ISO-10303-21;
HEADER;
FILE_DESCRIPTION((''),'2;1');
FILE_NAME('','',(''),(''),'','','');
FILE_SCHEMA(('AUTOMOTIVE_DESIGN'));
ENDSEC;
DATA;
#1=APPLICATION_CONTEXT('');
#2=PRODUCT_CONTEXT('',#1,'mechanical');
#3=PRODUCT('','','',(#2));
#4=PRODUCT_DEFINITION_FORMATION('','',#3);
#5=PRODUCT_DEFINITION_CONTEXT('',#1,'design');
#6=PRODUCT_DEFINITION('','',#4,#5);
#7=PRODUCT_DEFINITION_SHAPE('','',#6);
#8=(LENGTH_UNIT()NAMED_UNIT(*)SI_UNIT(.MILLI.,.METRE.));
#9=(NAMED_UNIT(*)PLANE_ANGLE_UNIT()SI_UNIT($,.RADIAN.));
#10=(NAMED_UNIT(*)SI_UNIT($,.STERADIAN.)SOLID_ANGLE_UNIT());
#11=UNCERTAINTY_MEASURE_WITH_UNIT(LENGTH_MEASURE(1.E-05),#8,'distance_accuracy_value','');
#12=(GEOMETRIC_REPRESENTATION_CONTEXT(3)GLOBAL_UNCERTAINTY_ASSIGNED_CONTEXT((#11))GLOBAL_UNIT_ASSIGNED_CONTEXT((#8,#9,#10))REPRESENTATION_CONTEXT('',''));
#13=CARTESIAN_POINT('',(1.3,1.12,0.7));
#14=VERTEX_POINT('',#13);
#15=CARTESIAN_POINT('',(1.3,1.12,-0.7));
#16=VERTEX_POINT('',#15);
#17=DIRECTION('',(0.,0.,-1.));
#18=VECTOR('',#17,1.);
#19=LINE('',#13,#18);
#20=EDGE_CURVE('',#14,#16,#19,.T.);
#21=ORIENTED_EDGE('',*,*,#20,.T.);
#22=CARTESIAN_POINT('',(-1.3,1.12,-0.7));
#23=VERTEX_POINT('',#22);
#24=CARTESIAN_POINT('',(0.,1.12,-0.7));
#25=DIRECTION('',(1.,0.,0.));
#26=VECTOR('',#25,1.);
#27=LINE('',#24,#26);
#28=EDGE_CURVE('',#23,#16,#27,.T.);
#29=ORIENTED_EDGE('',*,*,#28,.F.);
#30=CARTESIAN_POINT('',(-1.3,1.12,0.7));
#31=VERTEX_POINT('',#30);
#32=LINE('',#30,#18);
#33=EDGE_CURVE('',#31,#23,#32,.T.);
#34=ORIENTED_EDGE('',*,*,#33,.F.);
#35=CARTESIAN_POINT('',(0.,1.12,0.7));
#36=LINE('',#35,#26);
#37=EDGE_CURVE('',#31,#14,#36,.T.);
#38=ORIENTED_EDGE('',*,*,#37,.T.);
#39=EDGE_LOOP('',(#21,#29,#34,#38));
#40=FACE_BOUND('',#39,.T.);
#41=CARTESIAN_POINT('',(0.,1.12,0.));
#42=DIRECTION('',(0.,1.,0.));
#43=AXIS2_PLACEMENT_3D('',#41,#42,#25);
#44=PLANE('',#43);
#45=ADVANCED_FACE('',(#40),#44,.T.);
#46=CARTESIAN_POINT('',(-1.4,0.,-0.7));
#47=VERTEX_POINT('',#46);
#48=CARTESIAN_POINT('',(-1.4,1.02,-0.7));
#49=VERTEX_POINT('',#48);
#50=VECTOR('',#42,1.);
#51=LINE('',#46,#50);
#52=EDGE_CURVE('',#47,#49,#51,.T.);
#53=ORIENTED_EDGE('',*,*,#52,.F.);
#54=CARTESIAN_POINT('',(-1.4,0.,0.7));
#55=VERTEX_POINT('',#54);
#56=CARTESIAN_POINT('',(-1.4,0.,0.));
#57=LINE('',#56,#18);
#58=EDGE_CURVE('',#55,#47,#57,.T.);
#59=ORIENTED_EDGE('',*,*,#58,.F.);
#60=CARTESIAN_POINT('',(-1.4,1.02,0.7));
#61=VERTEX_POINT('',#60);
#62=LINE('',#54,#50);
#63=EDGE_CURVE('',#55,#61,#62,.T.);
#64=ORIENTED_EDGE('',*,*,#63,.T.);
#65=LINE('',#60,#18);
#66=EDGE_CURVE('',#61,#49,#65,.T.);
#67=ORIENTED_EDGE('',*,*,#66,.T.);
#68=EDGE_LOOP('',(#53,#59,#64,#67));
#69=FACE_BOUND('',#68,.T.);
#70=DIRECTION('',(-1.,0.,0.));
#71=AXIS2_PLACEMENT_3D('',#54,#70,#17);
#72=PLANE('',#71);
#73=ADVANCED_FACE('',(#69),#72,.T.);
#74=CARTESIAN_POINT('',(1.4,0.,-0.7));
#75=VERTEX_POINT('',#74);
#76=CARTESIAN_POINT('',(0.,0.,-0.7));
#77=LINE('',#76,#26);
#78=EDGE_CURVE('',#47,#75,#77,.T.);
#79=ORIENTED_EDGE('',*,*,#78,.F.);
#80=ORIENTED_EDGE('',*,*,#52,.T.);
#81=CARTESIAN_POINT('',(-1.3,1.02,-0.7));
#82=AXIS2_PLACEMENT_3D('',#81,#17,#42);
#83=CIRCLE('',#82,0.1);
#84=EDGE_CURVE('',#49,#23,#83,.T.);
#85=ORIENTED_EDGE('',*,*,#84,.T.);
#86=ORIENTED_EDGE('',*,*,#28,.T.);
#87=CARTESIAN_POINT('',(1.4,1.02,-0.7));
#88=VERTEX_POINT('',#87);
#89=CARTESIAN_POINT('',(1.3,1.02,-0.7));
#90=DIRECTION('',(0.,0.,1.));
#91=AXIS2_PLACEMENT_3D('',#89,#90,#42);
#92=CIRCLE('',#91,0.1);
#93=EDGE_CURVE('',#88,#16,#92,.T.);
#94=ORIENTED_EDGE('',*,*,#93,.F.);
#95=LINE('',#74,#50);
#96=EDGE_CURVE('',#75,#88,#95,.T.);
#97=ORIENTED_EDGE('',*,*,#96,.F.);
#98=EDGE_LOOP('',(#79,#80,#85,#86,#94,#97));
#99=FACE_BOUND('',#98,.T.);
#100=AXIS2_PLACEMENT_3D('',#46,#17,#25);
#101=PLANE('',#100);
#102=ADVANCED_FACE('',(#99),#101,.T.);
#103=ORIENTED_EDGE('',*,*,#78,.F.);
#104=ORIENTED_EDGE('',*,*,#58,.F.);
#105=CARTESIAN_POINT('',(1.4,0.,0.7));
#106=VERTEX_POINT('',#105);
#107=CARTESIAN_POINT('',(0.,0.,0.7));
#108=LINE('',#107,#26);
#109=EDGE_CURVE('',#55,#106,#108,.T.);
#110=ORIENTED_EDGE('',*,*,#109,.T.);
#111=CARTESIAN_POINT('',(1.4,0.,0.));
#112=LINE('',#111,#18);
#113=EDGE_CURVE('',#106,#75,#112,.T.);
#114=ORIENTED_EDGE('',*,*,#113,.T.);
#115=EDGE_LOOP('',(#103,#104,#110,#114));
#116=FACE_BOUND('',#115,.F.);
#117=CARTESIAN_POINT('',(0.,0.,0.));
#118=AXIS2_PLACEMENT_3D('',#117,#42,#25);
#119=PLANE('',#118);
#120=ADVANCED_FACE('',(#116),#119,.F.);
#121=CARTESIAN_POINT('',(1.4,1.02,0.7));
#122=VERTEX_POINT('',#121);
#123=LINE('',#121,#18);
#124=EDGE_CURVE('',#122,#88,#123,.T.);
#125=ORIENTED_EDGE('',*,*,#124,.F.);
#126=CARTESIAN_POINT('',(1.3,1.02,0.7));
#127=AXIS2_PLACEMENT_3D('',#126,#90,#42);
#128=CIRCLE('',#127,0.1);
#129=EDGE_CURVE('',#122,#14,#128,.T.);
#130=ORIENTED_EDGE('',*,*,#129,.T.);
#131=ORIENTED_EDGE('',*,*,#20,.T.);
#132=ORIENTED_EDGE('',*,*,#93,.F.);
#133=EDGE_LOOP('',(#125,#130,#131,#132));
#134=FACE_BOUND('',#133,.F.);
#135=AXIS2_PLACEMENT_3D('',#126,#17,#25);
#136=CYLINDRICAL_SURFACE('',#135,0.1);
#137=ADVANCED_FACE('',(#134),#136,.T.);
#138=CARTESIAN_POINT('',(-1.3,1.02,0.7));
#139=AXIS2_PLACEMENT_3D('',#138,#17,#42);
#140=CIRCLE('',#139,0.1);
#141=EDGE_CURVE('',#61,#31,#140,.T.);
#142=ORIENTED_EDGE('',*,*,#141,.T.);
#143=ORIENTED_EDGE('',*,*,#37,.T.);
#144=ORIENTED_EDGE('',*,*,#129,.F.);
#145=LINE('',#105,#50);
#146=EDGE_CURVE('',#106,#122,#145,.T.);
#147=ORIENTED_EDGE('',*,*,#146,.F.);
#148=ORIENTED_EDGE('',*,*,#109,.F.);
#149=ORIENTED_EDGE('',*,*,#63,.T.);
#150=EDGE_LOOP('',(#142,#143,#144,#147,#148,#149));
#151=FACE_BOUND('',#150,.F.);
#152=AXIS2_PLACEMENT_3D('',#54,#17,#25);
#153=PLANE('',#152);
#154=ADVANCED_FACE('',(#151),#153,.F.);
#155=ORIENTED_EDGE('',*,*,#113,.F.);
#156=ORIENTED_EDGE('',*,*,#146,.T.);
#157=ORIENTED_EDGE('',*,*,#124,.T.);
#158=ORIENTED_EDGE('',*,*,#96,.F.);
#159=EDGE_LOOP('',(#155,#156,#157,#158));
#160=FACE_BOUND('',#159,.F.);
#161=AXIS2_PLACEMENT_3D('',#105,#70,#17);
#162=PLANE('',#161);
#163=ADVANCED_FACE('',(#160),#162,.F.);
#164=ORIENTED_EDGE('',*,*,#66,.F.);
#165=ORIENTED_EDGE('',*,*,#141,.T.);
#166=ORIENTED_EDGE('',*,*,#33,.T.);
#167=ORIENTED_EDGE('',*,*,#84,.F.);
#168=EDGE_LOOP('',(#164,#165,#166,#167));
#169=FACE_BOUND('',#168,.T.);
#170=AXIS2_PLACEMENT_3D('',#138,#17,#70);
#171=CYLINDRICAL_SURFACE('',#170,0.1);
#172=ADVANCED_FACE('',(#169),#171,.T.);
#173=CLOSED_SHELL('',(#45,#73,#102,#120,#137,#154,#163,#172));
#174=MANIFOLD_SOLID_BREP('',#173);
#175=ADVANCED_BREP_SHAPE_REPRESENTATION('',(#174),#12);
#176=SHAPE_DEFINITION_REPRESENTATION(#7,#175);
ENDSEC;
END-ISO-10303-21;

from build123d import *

# Parameters (mm, degrees)
SKETCH1_W           = 2.8
SKETCH1_H           = 1.4
BOSS_EXTRUDE1_DEPTH = 1.12
FILLET1_R           = 0.1


with BuildPart() as part:
    # Sketch1 → Boss-Extrude1 (new body)
    with BuildSketch(Plane(origin=(0, 0, 0), x_dir=(1, 0, 0), z_dir=(0, 1, 0))):
        Rectangle(SKETCH1_W, SKETCH1_H)
    extrude(amount=BOSS_EXTRUDE1_DEPTH)

    # Fillet1
    fillet1_edges = [part.edges().sort_by_distance(p)[0] for p in [
        (-1.4, 1.12, 0),
        (1.4, 1.12, 0),
    ]]
    fillet(fillet1_edges, radius=FILLET1_R)


solid = part.part
